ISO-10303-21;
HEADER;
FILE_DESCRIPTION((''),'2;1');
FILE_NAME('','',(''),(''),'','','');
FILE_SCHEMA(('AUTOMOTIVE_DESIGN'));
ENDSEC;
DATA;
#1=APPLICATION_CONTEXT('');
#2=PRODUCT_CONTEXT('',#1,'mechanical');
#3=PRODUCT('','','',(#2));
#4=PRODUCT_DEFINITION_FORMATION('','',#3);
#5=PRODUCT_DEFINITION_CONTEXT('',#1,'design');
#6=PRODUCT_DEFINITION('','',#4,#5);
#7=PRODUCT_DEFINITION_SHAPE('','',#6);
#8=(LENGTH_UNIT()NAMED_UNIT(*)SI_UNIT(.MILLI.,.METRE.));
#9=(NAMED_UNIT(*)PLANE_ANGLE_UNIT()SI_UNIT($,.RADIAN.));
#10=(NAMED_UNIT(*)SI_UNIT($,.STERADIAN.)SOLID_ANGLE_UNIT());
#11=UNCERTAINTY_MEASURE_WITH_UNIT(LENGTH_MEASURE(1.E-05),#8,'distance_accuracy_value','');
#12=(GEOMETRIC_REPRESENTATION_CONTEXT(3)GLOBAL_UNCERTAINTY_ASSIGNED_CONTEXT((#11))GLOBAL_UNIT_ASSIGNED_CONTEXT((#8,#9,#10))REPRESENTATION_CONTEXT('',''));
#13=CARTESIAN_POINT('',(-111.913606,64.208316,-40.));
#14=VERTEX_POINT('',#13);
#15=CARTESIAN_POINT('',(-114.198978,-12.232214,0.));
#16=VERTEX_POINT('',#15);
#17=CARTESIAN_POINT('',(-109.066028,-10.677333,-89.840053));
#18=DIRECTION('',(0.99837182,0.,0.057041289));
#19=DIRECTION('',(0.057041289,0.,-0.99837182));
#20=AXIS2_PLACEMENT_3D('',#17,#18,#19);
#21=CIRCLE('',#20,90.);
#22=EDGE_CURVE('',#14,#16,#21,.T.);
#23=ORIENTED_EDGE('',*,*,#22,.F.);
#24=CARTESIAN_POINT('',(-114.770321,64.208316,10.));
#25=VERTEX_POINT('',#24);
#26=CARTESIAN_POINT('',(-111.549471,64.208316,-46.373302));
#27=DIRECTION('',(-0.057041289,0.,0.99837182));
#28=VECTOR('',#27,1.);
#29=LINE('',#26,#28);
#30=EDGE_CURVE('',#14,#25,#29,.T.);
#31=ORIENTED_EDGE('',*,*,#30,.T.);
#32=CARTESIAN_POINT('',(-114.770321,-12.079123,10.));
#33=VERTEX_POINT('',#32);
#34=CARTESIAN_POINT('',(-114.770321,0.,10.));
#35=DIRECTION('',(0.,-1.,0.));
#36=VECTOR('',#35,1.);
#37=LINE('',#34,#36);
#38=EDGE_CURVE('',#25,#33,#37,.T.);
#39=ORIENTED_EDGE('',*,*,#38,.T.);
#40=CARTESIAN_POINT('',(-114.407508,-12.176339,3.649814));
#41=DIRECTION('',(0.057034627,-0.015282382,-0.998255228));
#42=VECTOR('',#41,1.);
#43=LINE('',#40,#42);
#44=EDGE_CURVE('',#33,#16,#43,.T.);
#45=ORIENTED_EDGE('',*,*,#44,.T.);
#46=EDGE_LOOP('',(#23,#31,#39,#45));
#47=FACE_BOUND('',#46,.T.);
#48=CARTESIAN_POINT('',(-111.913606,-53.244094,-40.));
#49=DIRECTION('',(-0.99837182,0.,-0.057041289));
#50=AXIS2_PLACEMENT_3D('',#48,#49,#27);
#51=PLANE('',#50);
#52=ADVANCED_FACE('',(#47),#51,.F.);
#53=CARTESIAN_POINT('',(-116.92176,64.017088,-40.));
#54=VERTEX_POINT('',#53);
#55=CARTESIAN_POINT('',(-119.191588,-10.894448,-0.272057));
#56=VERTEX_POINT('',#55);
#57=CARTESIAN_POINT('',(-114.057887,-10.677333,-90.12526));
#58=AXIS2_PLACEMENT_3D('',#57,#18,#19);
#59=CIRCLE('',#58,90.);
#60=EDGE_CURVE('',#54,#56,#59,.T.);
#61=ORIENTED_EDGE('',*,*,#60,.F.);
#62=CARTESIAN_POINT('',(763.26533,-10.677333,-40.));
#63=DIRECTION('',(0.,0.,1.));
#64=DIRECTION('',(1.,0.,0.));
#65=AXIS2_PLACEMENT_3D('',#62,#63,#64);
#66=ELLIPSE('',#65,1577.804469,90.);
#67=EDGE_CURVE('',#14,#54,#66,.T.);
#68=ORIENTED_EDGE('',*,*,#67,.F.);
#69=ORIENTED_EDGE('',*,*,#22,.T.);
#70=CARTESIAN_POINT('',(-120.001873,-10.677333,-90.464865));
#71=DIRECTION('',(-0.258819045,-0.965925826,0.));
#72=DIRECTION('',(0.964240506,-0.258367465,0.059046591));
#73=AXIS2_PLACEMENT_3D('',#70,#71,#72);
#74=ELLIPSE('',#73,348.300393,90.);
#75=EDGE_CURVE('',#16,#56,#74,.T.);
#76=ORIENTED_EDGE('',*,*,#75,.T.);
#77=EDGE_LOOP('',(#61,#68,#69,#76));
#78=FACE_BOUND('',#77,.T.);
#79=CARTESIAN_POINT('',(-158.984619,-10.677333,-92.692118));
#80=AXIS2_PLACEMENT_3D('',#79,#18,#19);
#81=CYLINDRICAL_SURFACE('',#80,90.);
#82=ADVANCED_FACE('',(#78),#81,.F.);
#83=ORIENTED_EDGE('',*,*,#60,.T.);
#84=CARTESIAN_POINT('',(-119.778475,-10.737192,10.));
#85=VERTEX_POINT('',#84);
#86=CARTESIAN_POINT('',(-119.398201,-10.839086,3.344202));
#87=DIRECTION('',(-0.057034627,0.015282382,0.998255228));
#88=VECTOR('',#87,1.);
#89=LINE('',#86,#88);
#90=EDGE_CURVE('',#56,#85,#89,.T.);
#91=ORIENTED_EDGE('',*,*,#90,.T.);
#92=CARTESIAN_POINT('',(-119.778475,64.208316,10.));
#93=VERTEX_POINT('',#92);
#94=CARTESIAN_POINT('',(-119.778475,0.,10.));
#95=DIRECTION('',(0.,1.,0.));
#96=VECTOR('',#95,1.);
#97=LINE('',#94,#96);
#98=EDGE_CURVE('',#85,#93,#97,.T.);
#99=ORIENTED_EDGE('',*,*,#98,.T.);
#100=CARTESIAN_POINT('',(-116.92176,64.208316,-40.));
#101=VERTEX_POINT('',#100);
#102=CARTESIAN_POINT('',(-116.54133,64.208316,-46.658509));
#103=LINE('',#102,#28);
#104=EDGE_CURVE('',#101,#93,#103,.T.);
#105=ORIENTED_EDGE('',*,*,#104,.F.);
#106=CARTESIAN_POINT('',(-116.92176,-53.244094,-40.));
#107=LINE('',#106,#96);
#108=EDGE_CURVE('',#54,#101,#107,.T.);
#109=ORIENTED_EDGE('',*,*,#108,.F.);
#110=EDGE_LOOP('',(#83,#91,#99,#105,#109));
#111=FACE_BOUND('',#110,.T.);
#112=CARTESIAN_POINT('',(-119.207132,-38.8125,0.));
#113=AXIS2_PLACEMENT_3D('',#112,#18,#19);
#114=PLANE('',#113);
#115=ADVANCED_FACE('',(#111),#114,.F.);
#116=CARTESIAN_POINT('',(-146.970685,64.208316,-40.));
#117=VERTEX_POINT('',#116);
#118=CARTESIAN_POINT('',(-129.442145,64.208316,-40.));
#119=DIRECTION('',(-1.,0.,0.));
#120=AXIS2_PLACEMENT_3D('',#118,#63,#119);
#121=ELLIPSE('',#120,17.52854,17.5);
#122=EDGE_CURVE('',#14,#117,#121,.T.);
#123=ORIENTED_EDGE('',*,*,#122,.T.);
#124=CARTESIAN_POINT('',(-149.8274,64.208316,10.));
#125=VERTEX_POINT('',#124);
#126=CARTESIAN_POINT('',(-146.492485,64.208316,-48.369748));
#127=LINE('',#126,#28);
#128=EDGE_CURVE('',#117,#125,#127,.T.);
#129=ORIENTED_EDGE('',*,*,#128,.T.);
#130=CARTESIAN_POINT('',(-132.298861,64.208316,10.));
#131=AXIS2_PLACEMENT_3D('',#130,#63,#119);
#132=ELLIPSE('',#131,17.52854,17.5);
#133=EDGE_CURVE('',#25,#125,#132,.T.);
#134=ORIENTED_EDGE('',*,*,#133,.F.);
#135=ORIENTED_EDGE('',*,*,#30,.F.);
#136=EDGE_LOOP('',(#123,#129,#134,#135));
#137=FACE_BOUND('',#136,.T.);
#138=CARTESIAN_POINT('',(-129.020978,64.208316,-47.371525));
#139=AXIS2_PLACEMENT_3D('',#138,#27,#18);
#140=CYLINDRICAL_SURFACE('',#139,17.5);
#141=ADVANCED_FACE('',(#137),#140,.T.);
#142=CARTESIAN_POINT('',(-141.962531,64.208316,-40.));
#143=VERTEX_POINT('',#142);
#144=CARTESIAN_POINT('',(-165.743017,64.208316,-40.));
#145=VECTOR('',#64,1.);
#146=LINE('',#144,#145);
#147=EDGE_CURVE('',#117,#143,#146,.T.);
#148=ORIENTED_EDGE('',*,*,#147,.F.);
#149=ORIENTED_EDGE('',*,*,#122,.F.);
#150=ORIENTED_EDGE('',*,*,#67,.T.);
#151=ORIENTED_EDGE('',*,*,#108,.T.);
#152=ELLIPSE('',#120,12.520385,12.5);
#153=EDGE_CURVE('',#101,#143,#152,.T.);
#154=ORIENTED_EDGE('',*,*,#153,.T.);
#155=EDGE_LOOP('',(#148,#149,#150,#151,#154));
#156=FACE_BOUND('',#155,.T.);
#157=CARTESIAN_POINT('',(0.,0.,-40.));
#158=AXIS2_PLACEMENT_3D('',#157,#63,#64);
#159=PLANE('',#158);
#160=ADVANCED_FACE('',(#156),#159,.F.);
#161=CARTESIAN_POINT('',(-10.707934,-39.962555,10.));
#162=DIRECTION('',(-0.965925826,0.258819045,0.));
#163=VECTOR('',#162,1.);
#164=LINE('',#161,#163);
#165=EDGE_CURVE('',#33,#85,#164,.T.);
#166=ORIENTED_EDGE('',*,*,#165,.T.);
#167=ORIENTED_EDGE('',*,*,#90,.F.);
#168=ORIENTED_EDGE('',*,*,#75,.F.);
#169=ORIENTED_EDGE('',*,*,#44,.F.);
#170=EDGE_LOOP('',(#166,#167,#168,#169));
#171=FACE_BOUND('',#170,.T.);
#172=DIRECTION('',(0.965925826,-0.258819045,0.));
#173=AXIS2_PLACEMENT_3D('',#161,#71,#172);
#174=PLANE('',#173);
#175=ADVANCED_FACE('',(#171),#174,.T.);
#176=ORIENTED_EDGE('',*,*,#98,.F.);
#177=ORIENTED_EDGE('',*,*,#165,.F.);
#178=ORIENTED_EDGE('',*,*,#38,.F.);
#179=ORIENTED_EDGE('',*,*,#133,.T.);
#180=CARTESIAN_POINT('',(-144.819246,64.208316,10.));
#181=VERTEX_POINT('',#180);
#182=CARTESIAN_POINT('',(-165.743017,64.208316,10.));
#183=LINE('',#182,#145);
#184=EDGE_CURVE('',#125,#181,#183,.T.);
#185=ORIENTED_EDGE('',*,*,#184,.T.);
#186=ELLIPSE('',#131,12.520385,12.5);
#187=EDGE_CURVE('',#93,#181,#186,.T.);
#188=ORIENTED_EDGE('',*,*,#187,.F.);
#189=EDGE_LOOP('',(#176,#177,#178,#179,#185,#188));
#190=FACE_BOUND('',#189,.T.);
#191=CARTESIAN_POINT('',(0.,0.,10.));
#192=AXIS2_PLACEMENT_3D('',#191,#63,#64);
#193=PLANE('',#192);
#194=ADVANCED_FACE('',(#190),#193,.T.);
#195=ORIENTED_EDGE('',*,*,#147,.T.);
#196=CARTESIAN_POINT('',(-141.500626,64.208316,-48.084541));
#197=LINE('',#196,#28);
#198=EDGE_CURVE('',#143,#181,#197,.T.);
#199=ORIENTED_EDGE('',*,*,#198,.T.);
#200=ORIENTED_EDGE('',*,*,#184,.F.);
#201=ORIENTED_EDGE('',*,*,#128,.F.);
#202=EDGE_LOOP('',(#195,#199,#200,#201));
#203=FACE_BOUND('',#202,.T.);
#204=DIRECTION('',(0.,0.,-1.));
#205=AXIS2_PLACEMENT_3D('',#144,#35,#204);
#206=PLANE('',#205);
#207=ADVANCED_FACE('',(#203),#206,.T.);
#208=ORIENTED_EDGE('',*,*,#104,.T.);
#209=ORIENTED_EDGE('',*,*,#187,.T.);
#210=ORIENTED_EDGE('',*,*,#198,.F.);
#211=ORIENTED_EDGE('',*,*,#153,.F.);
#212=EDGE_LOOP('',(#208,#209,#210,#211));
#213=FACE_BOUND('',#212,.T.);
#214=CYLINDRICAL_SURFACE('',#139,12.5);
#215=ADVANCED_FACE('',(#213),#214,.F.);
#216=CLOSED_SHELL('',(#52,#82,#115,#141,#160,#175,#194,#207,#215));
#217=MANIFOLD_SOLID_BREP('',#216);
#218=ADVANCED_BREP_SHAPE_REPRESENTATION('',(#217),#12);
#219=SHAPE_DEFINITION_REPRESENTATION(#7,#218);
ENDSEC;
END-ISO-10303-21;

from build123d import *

# Parameters (mm, degrees)
SKETCH1_R               = 3.2639
BOSS_EXTRUDE1_DEPTH     = 10
SKETCH2_W               = 55.96454122
SKETCH2_H               = 39.556429901
BOSS_EXTRUDE2_DEPTH     = 50
CUT_EXTRUDE1_DEPTH      = 3.621876658
CUT_EXTRUDE1_DEPTH_BACK = 57.750909587
CUT_EXTRUDE3_DEPTH      = 104.020815944
BOSS_EXTRUDE3_REACH     = 105.021
SKETCH10_R              = 90
CUT_EXTRUDE4_DEPTH      = 50
CUT_EXTRUDE5_DEPTH      = 50


with BuildPart() as part:
    # Sketch1 → Boss-Extrude1 (new body)
    with BuildSketch(Plane.XY):
        with BuildLine():
            ThreePointArc((0, -23.8125), (-4.393398282, -34.419101718), (-15, -38.8125))
            Line((-15, -38.8125), (-119.778475404, -10.737192131))
            Line((-119.778475404, -10.737192131), (-119.778475404, 66.887807869))
            Line((-119.778475404, 66.887807869), (-15, 38.8125))
            ThreePointArc((-15, 38.8125), (-4.393398282, 34.419101718), (0, 23.8125))
            Line((0, 23.8125), (0, -23.8125))
        make_face()
        with Locations((-15, 23.8125)):
            Circle(SKETCH1_R, mode=Mode.SUBTRACT)
        with Locations((-15, -23.8125)):
            Circle(SKETCH1_R, mode=Mode.SUBTRACT)
    extrude(amount=BOSS_EXTRUDE1_DEPTH)

    # Sketch2 → Boss-Extrude2 (add)
    with BuildSketch(Plane.XY.offset(10)):
        with Locations((-137.760746014, 83.986530895)):
            Rectangle(SKETCH2_W, SKETCH2_H)
    extrude(amount=-BOSS_EXTRUDE2_DEPTH)

    # Sketch4 → Cut-Extrude1 (cut, two sides)
    with BuildSketch(Plane(origin=(-0.959208406, 0, 16.788657247), x_dir=(0, 1, 0), z_dir=(-0.057041289, 0, 0.99837182))) as cut_extrude1_sk:
        with BuildLine():
            ThreePointArc((64.208315944, 114.013041626), (81.708315944, 131.513041626), (64.208315944, 149.013041626))
            Line((64.208315944, 149.013041626), (64.208315944, 176.700065815))
            Line((64.208315944, 176.700065815), (111.984574651, 176.700065815))
            Line((111.984574651, 176.700065815), (111.984574651, 106.901315277))
            Line((111.984574651, 106.901315277), (64.208315944, 106.901315277))
            Line((64.208315944, 106.901315277), (64.208315944, 114.013041626))
        make_face()
        with BuildLine():
            Line((64.208315944, 144.013041626), (64.208315944, 119.013041626))
            ThreePointArc((64.208315944, 119.013041626), (76.708315944, 131.513041626), (64.208315944, 144.013041626))
        make_face()
    extrude(amount=CUT_EXTRUDE1_DEPTH, mode=Mode.SUBTRACT)
    extrude(cut_extrude1_sk.sketch, amount=-CUT_EXTRUDE1_DEPTH_BACK, mode=Mode.SUBTRACT)

    # Sketch7 → Cut-Extrude3 (cut, through all)
    with BuildSketch(Plane(origin=(0, 64.208315944, 0), x_dir=(1, 0, 0), z_dir=(0, 1, 0))):
        Polygon((-119.778475404, 0), (-119.207132269, 0), (-119.778475404, -10), align=None)
    extrude(amount=-CUT_EXTRUDE3_DEPTH, mode=Mode.SUBTRACT)

    # Boss-Extrude3: up to this face of the body (flat: up to its plane)
    boss_extrude3_end = Plane(part.part.faces().sort_by_distance((-67.246532084, -24.813083921, 5.004556479))[0])
    # Sketch8 → Boss-Extrude3 (add, up to the picked face)
    with BuildSketch(Plane.XZ.offset(-64.208315944), mode=Mode.PRIVATE) as boss_extrude3_sk1:
        Polygon((-119.207132269, 0), (-116.92175973, -40), (-111.913605554, -40), (-114.198978093, 0), align=None)
    boss_extrude3_tool1 = split(extrude(boss_extrude3_sk1.sketch, amount=BOSS_EXTRUDE3_REACH, mode=Mode.PRIVATE), bisect_by=boss_extrude3_end, keep=Keep.BOTH, mode=Mode.PRIVATE)
    add(boss_extrude3_tool1.solids().sort_by_distance((-115.560369, 64.208316, -20))[0])

    # Sketch10 → Cut-Extrude4 (cut)
    with BuildSketch(Plane(origin=(-113.827407897, 0, -6.503450805), x_dir=(0.057041289, 0, -0.99837182), z_dir=(0.99837182, 0, 0.057041289))):
        with Locations((83.472510719, -10.677332841)):
            Circle(SKETCH10_R)
    extrude(amount=-CUT_EXTRUDE4_DEPTH, mode=Mode.SUBTRACT)

    # Sketch13 → Cut-Extrude5 (cut)
    with BuildSketch(Plane(origin=(-0.959208406, 0, 16.788657247), x_dir=(0, 1, 0), z_dir=(-0.057041289, 0, 0.99837182))):
        Polygon((64.208315944, 114.013041626), (-14.406743592, 114.013041626), (-68.138706229, -11.161425168), (108.567056958, -47.624519159), align=None)
    extrude(amount=-CUT_EXTRUDE5_DEPTH, mode=Mode.SUBTRACT)


solid = part.part
